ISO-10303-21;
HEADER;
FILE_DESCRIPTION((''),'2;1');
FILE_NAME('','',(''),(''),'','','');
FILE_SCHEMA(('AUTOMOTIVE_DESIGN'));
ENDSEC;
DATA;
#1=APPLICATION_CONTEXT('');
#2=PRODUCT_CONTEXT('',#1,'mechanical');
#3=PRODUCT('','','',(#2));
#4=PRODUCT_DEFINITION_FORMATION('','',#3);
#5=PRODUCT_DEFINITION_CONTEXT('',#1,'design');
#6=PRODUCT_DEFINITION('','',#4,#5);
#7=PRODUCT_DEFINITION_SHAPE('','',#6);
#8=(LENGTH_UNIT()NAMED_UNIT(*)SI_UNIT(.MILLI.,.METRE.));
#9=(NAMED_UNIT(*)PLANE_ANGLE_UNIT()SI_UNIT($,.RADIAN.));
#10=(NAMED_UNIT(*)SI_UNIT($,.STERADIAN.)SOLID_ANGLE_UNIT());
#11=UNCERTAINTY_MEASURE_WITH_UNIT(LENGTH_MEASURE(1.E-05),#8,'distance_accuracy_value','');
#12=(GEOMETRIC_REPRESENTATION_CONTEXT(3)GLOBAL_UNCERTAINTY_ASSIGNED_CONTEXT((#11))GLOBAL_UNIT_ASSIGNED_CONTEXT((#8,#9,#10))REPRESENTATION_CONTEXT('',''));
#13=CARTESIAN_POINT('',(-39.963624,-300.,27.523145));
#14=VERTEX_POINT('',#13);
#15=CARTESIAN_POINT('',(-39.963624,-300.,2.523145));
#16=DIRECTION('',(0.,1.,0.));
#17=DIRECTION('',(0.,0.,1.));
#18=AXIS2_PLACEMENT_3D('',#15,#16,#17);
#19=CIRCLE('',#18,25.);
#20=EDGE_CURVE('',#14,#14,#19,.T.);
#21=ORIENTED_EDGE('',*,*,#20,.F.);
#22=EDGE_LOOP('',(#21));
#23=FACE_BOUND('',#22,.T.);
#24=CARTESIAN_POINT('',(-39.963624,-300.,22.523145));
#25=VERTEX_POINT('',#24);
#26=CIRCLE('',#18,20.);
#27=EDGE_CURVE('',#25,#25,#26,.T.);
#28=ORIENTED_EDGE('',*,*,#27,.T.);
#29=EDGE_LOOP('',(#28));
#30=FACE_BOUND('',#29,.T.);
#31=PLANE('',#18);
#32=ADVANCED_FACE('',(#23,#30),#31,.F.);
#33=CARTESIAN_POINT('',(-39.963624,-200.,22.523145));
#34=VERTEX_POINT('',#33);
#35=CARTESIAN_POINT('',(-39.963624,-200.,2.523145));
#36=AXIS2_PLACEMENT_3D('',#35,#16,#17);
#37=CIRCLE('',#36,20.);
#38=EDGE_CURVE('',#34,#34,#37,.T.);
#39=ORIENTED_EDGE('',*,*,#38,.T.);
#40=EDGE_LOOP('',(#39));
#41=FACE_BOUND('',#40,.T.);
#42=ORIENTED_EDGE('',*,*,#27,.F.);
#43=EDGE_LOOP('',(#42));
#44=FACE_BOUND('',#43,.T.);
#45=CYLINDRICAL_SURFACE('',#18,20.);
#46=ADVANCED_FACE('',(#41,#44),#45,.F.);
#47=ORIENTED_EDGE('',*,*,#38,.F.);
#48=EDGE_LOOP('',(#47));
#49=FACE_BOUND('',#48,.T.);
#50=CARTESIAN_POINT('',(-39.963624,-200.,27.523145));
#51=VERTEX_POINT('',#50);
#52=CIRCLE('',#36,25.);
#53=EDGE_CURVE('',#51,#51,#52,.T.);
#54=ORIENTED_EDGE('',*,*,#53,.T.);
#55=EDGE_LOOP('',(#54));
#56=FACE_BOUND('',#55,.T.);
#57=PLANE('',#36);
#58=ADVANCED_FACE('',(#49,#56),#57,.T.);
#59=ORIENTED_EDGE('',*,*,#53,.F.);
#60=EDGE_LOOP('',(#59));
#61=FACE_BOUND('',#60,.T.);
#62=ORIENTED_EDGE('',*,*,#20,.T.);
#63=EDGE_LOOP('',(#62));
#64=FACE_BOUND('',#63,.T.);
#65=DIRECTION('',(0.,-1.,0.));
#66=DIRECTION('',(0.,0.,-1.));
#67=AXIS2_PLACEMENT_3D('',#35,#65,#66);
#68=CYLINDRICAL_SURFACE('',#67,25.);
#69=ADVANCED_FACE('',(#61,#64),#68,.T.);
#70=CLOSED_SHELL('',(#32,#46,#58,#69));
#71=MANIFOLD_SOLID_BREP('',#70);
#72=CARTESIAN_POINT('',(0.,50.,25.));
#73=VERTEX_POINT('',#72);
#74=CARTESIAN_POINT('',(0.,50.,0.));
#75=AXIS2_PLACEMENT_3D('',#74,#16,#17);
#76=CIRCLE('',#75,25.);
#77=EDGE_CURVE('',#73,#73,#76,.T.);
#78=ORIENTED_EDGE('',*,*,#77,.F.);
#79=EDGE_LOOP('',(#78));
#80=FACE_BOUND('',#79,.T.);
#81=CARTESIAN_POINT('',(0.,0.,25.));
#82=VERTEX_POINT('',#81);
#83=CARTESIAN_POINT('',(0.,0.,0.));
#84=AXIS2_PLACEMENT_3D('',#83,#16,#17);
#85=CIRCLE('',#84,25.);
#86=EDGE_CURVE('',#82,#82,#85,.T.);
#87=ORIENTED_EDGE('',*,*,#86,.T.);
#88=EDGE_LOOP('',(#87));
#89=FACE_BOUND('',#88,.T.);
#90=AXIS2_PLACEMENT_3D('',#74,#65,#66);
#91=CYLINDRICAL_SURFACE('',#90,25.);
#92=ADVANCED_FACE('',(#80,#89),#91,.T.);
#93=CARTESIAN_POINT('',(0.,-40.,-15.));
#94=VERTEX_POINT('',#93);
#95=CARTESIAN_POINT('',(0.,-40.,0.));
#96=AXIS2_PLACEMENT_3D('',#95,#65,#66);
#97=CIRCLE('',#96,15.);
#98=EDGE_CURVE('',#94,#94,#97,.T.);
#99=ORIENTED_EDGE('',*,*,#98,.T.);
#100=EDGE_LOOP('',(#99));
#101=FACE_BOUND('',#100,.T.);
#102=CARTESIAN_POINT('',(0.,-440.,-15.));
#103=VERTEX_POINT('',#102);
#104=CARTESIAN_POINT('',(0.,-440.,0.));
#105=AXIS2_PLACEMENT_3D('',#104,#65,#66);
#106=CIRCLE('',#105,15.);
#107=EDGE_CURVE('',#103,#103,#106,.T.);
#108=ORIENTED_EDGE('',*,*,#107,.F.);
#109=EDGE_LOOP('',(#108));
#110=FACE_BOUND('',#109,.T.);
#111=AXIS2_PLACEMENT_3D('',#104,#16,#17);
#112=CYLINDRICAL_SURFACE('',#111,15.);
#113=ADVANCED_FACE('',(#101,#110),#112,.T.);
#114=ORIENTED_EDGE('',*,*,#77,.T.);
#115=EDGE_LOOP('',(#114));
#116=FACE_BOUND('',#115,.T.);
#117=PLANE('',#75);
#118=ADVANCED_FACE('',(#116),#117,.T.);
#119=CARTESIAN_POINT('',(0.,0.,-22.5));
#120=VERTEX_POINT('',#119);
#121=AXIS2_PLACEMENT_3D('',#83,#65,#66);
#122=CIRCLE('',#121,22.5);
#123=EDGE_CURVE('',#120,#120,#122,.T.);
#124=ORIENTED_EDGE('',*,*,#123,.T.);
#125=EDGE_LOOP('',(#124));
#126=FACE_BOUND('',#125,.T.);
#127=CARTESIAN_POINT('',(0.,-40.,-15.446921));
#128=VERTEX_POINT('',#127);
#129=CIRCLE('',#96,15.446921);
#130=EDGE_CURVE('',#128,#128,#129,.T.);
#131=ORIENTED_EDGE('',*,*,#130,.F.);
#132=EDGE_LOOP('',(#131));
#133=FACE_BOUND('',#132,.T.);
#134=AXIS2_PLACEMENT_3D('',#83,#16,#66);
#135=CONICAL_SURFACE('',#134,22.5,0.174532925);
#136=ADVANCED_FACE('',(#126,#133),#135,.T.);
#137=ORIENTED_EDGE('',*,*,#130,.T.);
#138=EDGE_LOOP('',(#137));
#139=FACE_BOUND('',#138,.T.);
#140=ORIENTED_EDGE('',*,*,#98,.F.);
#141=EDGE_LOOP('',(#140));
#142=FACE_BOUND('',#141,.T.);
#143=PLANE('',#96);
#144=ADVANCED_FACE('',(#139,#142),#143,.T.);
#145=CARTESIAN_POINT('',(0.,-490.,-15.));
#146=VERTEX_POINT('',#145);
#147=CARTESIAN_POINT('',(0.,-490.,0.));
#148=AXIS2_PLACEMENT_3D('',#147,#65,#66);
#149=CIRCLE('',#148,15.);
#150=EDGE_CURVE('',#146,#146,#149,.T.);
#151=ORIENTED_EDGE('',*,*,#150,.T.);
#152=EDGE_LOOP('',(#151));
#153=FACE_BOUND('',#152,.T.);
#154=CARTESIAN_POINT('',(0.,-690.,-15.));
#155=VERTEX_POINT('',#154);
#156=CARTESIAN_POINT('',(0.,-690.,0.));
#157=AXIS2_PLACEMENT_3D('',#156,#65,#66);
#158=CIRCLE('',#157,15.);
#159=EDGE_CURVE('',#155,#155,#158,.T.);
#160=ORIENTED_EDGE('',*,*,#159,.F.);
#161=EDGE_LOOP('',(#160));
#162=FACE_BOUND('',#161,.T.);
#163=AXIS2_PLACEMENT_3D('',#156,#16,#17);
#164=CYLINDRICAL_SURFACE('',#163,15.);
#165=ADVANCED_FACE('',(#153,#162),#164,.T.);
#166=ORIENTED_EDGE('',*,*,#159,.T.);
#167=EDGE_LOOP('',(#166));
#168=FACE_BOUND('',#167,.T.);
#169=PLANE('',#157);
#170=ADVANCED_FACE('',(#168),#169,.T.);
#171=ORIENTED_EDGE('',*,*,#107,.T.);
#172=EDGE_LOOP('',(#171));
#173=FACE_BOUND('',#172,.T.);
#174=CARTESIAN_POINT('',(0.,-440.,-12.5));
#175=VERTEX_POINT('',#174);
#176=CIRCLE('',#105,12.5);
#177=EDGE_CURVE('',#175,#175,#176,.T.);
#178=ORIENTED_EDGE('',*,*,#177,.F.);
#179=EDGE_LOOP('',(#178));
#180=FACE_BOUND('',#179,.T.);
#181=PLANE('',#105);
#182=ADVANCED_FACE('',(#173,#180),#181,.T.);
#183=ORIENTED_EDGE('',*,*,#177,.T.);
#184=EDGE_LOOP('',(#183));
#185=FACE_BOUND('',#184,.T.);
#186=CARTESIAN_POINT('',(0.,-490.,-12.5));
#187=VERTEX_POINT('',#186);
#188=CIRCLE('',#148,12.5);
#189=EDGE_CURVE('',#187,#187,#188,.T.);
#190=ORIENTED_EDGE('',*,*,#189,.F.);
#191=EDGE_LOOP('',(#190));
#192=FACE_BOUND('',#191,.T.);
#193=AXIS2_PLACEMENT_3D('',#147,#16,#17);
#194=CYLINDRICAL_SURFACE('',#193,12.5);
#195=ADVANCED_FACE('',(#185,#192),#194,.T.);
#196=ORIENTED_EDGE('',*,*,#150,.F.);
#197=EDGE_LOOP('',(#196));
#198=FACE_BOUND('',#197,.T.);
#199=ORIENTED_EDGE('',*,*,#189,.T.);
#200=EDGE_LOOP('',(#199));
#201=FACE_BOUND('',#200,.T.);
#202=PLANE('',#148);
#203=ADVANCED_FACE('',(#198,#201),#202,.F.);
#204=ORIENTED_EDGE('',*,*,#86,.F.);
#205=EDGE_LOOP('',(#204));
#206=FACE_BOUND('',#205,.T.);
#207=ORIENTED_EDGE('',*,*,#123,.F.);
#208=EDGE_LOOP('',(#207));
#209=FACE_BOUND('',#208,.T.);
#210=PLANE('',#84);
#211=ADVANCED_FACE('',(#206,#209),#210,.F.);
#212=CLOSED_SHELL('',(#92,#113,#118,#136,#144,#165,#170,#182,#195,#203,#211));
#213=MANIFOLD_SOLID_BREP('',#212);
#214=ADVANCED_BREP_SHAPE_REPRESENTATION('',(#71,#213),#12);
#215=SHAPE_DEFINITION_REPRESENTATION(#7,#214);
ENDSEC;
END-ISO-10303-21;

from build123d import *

# Parameters (mm, degrees)
SKETCH1_R           = 25
BOSS_EXTRUDE2_DEPTH = 50
SKETCH3_R           = 22.5
BOSS_EXTRUDE4_DEPTH = 40
BOSS_EXTRUDE4_TAPER = 10
SKETCH5_R           = 15
BOSS_EXTRUDE5_DEPTH = 400
SKETCH7_R           = 25
BOSS_EXTRUDE6_DEPTH = 100
SKETCH8_R           = 20
CUT_EXTRUDE1_DEPTH  = 100
SKETCH10_R          = 12.5
BOSS_EXTRUDE7_DEPTH = 50
SKETCH11_R          = 15
BOSS_EXTRUDE8_DEPTH = 200


with BuildPart() as part:
    # Sketch1 → Boss-Extrude2 (new body)
    with BuildSketch(Plane(origin=(0, 0, 0), x_dir=(1, 0, 0), z_dir=(0, 1, 0))):
        with Locations(Location((0, 0, 0), (0, 0, 270))):
            Circle(SKETCH1_R)
    extrude(amount=BOSS_EXTRUDE2_DEPTH)

    # Sketch3 → Boss-Extrude4 (add)
    with BuildSketch(Plane.XZ):
        Circle(SKETCH3_R)
    extrude(amount=BOSS_EXTRUDE4_DEPTH, taper=BOSS_EXTRUDE4_TAPER)

    # Sketch5 → Boss-Extrude5 (add)
    with BuildSketch(Plane.XZ.offset(40)):
        with Locations(Location((0, 0, 0), (0, 0, 270))):
            Circle(SKETCH5_R)
    extrude(amount=BOSS_EXTRUDE5_DEPTH)

    # Sketch10 → Boss-Extrude7 (add)
    with BuildSketch(Plane.XZ.offset(440)):
        with Locations(Location((0, 0, 0), (0, 0, 270))):
            Circle(SKETCH10_R)
    extrude(amount=BOSS_EXTRUDE7_DEPTH)

    # Sketch11 → Boss-Extrude8 (add)
    with BuildSketch(Plane.XZ.offset(490)):
        with Locations(Location((0, 0, 0), (0, 0, 270))):
            Circle(SKETCH11_R)
    extrude(amount=BOSS_EXTRUDE8_DEPTH)


with BuildPart() as body_2:
    # Sketch7 → Boss-Extrude6 (new body)
    with BuildSketch(Plane(origin=(0, -300, 0), x_dir=(1, 0, 0), z_dir=(0, 1, 0))):
        with Locations(Location((-39.963624291, -2.523145335, 0), (0, 0, 270))):
            Circle(SKETCH7_R)
    extrude(amount=BOSS_EXTRUDE6_DEPTH)

    # Sketch8 → Cut-Extrude1 (cut)
    with BuildSketch(Plane(origin=(0, -200, 0), x_dir=(1, 0, 0), z_dir=(0, 1, 0))):
        with Locations(Location((-39.963624291, -2.523145335, 0), (0, 0, 270))):
            Circle(SKETCH8_R)
    extrude(amount=-CUT_EXTRUDE1_DEPTH, mode=Mode.SUBTRACT)


solid = Compound([part.part, body_2.part])
